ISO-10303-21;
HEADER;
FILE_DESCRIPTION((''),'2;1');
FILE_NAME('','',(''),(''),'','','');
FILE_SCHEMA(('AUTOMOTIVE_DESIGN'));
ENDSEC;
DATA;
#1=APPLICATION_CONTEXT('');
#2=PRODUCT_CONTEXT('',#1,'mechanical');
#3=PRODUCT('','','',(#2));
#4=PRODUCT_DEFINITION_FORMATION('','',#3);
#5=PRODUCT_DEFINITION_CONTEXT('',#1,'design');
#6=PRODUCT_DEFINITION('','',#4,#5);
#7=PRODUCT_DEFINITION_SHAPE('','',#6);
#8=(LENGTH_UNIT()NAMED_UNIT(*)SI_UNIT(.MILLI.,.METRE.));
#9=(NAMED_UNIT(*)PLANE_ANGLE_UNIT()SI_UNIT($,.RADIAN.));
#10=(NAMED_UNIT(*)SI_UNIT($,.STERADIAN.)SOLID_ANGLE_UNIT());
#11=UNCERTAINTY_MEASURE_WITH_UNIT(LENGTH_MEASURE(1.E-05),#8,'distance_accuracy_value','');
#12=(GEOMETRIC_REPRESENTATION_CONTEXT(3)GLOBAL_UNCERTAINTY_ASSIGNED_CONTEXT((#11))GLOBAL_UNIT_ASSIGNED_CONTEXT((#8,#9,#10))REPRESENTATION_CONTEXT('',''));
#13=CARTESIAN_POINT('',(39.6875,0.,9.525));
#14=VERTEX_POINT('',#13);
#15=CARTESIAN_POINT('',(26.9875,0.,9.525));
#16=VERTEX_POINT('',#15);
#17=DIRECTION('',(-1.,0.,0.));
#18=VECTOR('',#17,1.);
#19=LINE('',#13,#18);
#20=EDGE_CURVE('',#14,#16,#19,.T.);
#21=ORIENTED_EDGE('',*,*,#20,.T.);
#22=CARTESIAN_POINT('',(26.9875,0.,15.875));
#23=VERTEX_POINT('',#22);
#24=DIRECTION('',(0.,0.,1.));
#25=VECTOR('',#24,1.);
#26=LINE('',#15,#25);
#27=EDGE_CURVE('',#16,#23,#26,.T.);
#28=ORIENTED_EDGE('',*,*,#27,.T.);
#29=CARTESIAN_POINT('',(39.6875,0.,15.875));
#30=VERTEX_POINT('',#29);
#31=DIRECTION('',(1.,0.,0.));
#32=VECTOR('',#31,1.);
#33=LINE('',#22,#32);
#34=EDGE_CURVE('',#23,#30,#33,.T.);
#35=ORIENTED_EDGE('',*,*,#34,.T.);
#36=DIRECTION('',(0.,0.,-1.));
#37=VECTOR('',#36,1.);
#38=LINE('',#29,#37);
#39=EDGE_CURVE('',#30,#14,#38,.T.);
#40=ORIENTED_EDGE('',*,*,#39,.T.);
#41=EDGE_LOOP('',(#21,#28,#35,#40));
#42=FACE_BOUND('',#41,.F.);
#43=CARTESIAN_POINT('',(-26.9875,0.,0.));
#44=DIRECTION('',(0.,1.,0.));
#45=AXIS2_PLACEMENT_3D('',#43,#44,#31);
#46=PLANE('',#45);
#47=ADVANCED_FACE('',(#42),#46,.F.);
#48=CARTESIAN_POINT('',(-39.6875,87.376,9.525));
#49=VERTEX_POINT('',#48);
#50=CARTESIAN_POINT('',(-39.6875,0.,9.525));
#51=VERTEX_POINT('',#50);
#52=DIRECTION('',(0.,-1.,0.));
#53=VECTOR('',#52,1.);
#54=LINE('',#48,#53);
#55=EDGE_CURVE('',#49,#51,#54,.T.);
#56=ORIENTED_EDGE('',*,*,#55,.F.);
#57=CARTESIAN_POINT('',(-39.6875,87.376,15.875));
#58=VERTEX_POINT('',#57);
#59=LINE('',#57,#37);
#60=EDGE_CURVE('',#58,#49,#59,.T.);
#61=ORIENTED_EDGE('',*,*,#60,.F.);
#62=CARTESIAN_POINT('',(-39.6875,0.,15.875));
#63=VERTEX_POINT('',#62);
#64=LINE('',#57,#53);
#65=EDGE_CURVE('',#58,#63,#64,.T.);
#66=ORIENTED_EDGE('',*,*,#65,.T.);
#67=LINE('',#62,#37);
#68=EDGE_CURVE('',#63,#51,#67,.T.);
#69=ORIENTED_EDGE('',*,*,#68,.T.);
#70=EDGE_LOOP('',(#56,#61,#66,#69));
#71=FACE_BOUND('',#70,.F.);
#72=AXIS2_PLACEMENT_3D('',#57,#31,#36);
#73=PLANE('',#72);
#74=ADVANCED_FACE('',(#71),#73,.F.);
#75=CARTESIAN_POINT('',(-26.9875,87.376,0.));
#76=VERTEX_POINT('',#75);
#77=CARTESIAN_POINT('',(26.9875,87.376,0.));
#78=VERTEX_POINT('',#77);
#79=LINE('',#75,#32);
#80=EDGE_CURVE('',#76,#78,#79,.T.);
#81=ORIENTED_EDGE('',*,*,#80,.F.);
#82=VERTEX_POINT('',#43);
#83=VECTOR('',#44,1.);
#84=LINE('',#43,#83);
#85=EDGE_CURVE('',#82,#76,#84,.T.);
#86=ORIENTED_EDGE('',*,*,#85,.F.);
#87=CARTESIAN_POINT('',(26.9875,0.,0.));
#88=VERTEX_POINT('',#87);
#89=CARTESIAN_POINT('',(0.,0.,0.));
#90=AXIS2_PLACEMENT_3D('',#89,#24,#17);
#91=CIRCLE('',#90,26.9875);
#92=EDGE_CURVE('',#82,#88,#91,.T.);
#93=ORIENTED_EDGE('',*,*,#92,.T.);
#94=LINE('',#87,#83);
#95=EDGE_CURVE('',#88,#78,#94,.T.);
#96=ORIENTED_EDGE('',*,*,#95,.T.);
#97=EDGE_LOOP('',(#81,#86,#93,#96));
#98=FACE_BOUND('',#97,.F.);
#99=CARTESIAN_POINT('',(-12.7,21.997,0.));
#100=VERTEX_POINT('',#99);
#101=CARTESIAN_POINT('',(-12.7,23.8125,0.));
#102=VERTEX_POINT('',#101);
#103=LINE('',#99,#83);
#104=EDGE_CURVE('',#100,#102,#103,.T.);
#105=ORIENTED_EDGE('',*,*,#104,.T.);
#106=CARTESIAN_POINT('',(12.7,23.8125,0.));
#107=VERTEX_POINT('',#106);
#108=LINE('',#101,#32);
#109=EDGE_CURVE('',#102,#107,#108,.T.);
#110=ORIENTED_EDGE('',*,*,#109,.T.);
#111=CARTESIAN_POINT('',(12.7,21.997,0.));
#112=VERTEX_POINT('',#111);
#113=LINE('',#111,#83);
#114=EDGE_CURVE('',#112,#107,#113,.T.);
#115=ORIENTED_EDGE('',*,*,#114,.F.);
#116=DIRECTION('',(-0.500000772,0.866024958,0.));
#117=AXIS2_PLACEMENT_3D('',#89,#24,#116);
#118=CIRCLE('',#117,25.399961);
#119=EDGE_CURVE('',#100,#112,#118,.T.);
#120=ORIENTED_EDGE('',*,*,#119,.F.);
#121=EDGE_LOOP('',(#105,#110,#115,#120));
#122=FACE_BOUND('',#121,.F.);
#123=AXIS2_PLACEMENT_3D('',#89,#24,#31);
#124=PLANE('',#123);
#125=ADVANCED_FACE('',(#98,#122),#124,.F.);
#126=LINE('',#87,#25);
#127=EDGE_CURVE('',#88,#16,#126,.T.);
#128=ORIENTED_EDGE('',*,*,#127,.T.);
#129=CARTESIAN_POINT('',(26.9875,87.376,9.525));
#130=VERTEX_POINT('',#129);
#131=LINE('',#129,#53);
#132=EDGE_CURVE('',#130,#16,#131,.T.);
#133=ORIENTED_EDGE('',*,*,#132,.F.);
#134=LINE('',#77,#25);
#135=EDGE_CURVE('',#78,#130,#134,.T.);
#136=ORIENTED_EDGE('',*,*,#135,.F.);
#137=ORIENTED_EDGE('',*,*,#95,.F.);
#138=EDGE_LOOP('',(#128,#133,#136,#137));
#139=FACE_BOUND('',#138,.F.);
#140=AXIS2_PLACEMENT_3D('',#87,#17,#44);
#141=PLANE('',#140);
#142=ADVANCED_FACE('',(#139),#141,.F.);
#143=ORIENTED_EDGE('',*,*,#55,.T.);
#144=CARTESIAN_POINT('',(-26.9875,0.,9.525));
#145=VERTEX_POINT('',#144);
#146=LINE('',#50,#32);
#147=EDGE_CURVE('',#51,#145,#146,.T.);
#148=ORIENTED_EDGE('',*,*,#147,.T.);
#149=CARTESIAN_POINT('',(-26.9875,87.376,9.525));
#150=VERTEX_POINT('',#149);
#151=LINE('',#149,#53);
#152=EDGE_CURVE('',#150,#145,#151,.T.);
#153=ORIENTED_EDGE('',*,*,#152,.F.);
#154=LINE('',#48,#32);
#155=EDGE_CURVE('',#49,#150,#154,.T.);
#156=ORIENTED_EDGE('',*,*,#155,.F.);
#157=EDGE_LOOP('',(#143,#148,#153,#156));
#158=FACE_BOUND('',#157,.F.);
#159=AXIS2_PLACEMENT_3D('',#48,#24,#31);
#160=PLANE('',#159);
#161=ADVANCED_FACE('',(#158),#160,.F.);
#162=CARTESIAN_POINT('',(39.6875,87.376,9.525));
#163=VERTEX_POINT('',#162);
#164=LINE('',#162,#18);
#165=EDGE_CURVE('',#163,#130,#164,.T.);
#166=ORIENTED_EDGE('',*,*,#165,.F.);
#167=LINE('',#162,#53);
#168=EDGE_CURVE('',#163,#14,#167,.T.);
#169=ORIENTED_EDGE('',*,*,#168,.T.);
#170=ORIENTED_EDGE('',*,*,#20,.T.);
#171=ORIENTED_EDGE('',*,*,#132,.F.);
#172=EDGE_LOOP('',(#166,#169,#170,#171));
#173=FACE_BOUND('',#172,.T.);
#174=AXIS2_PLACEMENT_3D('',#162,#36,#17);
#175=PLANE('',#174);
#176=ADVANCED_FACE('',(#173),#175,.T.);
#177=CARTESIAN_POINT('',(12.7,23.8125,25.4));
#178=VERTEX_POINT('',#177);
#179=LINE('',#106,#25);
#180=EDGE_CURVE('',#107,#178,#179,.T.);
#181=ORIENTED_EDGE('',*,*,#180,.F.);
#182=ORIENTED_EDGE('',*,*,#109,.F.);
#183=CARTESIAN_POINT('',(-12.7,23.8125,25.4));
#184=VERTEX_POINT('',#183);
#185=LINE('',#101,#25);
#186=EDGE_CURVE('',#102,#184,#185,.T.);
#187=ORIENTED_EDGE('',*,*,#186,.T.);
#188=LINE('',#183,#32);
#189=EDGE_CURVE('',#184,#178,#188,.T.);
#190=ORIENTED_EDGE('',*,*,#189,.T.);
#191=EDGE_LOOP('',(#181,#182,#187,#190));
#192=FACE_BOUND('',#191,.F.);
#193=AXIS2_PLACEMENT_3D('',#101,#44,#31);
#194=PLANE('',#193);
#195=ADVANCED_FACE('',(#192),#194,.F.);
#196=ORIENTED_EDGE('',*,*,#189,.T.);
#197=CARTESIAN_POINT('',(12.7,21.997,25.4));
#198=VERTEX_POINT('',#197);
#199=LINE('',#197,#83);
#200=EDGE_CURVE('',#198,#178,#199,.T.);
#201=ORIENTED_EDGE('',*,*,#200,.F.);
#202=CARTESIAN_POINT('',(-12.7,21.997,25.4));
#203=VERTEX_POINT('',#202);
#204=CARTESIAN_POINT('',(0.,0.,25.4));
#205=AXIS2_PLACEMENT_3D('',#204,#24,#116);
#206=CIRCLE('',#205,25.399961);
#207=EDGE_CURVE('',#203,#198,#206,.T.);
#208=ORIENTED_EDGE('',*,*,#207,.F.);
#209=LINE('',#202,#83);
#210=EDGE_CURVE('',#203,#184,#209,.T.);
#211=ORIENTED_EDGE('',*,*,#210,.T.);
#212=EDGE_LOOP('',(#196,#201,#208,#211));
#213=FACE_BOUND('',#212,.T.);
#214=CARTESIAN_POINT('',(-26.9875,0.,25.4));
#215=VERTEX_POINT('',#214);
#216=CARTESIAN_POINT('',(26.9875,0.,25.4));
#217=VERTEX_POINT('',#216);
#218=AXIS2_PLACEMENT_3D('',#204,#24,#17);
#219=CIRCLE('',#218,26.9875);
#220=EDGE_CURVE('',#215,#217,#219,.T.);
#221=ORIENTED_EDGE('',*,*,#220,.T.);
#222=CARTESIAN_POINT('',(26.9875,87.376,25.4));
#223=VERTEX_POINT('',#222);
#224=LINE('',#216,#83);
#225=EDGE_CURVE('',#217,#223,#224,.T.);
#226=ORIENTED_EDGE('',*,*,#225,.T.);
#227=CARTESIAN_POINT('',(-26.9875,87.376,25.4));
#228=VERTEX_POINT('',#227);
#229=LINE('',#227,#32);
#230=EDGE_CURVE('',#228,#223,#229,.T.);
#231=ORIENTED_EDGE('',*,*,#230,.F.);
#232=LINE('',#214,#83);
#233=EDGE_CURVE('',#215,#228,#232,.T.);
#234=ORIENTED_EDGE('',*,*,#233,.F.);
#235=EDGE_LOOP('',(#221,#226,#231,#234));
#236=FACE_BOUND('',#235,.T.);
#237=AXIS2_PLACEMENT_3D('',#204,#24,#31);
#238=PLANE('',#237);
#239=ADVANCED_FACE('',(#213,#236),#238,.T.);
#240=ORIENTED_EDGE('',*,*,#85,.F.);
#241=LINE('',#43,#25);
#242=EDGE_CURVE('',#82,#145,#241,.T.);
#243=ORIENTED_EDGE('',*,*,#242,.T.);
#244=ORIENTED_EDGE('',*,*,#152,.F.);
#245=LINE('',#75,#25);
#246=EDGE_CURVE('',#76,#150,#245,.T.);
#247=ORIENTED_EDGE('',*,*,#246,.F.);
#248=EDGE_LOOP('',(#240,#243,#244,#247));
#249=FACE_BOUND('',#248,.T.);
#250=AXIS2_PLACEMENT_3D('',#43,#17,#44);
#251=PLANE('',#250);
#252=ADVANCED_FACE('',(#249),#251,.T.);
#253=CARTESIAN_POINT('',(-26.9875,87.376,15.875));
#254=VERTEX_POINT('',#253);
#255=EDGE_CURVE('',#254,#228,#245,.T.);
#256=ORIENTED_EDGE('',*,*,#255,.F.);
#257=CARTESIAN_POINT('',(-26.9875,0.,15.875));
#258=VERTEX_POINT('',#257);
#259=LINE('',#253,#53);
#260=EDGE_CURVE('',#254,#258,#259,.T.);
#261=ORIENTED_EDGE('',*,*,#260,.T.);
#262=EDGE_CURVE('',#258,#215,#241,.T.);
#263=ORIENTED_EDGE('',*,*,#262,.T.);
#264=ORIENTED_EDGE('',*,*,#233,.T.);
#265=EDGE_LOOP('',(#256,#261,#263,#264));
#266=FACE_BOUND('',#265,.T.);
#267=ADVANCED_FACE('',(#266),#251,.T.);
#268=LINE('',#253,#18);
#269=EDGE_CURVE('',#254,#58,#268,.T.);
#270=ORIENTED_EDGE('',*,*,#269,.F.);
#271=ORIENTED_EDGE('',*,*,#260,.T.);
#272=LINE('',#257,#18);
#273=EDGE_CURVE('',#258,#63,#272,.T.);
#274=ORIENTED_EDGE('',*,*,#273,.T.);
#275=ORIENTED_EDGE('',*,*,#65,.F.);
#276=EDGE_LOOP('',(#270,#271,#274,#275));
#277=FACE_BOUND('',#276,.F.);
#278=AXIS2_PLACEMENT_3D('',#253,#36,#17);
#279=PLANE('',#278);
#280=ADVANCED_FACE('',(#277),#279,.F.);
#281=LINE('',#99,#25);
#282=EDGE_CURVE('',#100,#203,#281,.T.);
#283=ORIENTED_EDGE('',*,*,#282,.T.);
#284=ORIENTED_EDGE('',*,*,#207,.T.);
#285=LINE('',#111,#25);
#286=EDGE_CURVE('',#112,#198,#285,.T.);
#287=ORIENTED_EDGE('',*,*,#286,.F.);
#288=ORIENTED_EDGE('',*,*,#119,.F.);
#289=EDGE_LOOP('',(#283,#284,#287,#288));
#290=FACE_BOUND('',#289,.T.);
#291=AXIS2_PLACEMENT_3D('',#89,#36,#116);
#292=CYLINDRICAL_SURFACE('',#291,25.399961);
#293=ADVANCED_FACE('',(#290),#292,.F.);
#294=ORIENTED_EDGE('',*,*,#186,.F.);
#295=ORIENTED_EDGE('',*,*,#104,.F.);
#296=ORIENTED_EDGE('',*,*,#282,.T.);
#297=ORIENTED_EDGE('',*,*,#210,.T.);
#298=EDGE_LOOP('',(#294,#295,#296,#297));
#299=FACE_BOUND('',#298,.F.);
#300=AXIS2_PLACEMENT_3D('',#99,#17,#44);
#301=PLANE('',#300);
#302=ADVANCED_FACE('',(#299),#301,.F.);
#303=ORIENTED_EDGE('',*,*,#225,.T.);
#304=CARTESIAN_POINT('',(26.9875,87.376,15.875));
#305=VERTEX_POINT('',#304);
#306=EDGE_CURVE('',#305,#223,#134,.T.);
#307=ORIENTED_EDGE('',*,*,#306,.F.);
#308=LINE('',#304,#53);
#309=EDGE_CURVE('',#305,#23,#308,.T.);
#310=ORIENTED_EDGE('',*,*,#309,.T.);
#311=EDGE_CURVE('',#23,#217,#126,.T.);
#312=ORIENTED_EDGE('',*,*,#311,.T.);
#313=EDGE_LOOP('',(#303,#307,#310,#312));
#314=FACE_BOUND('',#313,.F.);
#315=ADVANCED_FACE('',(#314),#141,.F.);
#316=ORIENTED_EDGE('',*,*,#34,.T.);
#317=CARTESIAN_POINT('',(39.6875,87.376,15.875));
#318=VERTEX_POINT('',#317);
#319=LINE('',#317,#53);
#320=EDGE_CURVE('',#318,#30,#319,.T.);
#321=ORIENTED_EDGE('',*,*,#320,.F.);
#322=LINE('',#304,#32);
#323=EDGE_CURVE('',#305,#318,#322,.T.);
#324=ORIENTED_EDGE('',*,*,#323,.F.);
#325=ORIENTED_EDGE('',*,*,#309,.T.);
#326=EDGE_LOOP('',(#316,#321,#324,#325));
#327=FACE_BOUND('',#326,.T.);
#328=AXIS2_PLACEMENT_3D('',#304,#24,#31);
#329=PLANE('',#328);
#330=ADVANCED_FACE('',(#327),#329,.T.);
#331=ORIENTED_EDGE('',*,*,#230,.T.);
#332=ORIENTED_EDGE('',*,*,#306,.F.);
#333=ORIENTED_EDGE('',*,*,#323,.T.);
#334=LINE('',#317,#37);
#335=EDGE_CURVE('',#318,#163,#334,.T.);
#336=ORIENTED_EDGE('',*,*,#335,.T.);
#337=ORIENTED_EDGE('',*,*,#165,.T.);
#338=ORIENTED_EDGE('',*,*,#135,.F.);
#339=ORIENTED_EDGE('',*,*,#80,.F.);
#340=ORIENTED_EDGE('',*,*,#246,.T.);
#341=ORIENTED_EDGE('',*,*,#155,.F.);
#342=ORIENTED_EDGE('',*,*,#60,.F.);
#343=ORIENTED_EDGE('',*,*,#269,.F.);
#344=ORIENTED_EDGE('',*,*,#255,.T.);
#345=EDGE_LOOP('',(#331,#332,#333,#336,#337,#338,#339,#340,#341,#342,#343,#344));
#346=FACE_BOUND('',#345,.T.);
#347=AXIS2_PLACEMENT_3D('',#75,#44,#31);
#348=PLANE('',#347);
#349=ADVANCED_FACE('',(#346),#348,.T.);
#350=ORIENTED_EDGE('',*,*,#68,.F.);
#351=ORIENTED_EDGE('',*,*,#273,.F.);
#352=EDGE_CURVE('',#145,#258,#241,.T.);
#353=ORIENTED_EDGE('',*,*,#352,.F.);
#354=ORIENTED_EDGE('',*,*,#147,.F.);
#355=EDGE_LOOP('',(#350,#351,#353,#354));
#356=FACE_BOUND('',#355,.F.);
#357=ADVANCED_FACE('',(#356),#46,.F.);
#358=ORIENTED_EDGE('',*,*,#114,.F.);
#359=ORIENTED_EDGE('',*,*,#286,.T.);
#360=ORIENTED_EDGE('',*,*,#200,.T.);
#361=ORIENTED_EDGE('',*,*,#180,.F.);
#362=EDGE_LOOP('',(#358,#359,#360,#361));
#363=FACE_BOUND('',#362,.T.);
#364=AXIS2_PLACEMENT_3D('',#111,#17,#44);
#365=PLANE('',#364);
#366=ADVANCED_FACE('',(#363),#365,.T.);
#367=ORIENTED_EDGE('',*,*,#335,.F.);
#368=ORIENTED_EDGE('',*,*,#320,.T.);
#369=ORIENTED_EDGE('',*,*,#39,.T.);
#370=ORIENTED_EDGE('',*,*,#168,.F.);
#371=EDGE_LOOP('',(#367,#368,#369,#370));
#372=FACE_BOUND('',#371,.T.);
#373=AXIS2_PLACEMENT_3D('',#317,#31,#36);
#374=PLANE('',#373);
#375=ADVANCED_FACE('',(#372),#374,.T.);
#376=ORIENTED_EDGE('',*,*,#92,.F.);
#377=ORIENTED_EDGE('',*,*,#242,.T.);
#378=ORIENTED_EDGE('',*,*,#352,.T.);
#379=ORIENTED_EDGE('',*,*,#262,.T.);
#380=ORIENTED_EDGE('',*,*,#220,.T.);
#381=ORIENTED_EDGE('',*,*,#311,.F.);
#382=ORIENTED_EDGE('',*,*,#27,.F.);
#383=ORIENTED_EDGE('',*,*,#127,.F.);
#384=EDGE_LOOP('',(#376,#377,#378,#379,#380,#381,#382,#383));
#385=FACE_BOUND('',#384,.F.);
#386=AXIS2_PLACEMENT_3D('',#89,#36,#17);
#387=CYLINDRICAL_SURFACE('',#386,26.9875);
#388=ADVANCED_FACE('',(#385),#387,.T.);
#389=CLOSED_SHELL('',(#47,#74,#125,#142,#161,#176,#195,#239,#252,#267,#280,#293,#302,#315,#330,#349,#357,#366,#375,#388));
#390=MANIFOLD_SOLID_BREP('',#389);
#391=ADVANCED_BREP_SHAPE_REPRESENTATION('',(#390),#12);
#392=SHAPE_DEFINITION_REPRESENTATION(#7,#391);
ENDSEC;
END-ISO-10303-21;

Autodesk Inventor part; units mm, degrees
ref_plane "YZ Plane" through (0, 0, 0) normal (1, 0, 0) x (0, 1, 0)
ref_plane "XZ Plane" through (0, 0, 0) normal (0, 1, 0) x (-1, 0, 0)
ref_plane "XY Plane" through (0, 0, 0) normal (0, 0, 1) x (1, 0, 0)
sketch "Sketch1" plane through (0, 0, 0) normal (0, 0, 1) x (1, 0, 0)
  arc A0 (-12.7, 21.997) -> (12.7, 21.997) centre (0, 0) ccw
  arc A1 (-26.9875, 0) -> (26.9875, 0) centre (0, 0) ccw
  line L0 (-12.7, 23.8125) -> (12.7, 23.8125)
  line L1 (-26.9875, 0) -> (-26.9875, 87.376)
  line L2 (26.9875, 0) -> (26.9875, 87.376)
  line L3 (-26.9875, 87.376) -> (26.9875, 87.376)
  line L4 (-12.7, 21.997) -> (-12.7, 23.8125)
  line L5 (12.7, 21.997) -> (12.7, 23.8125)
  point P0 (0, 16.2052)
  dimension "d0" = 53.975
  dimension "d1" = 87.376
extrude "Extrusion1" add sketch "Sketch1" along normal blind 25.4
sketch "Sketch2" plane through (-26.9875, 87.376, 0) normal (0, 1, 0) x (1, 0, 0)
  line L0 (53.975, 0) -> (0, 0) projected
  line L1 (0, 0) -> (0, -25.4) projected
  line L2 (0, -9.525) -> (0, -15.875)
  line L3 (0, -12.7) -> (-12.7, -12.7) construction
  line L4 (0, -15.875) -> (-12.7, -15.875)
  line L5 (-12.7, -15.875) -> (-12.7, -9.525)
  line L6 (-12.7, -9.525) -> (0, -9.525)
  line L7 (26.9875, 0) -> (26.9875, -25.4)
  line L8 (53.975, -9.525) -> (53.975, -15.875)
  line L9 (53.975, -9.525) -> (53.975, -15.875)
  line L10 (53.975, -12.7) -> (66.675, -12.7) construction
  line L11 (53.975, -15.875) -> (66.675, -15.875)
  line L12 (66.675, -15.875) -> (66.675, -9.525)
  line L13 (66.675, -9.525) -> (53.975, -9.525)
  point P0 (53.975, -25.4)
  point P1 (53.975, -25.4)
  dimension "d5" = 12.7
extrude "Extrusion3" add sketch "Sketch2" against normal blind 87.376
properties part number "Ajuste"
